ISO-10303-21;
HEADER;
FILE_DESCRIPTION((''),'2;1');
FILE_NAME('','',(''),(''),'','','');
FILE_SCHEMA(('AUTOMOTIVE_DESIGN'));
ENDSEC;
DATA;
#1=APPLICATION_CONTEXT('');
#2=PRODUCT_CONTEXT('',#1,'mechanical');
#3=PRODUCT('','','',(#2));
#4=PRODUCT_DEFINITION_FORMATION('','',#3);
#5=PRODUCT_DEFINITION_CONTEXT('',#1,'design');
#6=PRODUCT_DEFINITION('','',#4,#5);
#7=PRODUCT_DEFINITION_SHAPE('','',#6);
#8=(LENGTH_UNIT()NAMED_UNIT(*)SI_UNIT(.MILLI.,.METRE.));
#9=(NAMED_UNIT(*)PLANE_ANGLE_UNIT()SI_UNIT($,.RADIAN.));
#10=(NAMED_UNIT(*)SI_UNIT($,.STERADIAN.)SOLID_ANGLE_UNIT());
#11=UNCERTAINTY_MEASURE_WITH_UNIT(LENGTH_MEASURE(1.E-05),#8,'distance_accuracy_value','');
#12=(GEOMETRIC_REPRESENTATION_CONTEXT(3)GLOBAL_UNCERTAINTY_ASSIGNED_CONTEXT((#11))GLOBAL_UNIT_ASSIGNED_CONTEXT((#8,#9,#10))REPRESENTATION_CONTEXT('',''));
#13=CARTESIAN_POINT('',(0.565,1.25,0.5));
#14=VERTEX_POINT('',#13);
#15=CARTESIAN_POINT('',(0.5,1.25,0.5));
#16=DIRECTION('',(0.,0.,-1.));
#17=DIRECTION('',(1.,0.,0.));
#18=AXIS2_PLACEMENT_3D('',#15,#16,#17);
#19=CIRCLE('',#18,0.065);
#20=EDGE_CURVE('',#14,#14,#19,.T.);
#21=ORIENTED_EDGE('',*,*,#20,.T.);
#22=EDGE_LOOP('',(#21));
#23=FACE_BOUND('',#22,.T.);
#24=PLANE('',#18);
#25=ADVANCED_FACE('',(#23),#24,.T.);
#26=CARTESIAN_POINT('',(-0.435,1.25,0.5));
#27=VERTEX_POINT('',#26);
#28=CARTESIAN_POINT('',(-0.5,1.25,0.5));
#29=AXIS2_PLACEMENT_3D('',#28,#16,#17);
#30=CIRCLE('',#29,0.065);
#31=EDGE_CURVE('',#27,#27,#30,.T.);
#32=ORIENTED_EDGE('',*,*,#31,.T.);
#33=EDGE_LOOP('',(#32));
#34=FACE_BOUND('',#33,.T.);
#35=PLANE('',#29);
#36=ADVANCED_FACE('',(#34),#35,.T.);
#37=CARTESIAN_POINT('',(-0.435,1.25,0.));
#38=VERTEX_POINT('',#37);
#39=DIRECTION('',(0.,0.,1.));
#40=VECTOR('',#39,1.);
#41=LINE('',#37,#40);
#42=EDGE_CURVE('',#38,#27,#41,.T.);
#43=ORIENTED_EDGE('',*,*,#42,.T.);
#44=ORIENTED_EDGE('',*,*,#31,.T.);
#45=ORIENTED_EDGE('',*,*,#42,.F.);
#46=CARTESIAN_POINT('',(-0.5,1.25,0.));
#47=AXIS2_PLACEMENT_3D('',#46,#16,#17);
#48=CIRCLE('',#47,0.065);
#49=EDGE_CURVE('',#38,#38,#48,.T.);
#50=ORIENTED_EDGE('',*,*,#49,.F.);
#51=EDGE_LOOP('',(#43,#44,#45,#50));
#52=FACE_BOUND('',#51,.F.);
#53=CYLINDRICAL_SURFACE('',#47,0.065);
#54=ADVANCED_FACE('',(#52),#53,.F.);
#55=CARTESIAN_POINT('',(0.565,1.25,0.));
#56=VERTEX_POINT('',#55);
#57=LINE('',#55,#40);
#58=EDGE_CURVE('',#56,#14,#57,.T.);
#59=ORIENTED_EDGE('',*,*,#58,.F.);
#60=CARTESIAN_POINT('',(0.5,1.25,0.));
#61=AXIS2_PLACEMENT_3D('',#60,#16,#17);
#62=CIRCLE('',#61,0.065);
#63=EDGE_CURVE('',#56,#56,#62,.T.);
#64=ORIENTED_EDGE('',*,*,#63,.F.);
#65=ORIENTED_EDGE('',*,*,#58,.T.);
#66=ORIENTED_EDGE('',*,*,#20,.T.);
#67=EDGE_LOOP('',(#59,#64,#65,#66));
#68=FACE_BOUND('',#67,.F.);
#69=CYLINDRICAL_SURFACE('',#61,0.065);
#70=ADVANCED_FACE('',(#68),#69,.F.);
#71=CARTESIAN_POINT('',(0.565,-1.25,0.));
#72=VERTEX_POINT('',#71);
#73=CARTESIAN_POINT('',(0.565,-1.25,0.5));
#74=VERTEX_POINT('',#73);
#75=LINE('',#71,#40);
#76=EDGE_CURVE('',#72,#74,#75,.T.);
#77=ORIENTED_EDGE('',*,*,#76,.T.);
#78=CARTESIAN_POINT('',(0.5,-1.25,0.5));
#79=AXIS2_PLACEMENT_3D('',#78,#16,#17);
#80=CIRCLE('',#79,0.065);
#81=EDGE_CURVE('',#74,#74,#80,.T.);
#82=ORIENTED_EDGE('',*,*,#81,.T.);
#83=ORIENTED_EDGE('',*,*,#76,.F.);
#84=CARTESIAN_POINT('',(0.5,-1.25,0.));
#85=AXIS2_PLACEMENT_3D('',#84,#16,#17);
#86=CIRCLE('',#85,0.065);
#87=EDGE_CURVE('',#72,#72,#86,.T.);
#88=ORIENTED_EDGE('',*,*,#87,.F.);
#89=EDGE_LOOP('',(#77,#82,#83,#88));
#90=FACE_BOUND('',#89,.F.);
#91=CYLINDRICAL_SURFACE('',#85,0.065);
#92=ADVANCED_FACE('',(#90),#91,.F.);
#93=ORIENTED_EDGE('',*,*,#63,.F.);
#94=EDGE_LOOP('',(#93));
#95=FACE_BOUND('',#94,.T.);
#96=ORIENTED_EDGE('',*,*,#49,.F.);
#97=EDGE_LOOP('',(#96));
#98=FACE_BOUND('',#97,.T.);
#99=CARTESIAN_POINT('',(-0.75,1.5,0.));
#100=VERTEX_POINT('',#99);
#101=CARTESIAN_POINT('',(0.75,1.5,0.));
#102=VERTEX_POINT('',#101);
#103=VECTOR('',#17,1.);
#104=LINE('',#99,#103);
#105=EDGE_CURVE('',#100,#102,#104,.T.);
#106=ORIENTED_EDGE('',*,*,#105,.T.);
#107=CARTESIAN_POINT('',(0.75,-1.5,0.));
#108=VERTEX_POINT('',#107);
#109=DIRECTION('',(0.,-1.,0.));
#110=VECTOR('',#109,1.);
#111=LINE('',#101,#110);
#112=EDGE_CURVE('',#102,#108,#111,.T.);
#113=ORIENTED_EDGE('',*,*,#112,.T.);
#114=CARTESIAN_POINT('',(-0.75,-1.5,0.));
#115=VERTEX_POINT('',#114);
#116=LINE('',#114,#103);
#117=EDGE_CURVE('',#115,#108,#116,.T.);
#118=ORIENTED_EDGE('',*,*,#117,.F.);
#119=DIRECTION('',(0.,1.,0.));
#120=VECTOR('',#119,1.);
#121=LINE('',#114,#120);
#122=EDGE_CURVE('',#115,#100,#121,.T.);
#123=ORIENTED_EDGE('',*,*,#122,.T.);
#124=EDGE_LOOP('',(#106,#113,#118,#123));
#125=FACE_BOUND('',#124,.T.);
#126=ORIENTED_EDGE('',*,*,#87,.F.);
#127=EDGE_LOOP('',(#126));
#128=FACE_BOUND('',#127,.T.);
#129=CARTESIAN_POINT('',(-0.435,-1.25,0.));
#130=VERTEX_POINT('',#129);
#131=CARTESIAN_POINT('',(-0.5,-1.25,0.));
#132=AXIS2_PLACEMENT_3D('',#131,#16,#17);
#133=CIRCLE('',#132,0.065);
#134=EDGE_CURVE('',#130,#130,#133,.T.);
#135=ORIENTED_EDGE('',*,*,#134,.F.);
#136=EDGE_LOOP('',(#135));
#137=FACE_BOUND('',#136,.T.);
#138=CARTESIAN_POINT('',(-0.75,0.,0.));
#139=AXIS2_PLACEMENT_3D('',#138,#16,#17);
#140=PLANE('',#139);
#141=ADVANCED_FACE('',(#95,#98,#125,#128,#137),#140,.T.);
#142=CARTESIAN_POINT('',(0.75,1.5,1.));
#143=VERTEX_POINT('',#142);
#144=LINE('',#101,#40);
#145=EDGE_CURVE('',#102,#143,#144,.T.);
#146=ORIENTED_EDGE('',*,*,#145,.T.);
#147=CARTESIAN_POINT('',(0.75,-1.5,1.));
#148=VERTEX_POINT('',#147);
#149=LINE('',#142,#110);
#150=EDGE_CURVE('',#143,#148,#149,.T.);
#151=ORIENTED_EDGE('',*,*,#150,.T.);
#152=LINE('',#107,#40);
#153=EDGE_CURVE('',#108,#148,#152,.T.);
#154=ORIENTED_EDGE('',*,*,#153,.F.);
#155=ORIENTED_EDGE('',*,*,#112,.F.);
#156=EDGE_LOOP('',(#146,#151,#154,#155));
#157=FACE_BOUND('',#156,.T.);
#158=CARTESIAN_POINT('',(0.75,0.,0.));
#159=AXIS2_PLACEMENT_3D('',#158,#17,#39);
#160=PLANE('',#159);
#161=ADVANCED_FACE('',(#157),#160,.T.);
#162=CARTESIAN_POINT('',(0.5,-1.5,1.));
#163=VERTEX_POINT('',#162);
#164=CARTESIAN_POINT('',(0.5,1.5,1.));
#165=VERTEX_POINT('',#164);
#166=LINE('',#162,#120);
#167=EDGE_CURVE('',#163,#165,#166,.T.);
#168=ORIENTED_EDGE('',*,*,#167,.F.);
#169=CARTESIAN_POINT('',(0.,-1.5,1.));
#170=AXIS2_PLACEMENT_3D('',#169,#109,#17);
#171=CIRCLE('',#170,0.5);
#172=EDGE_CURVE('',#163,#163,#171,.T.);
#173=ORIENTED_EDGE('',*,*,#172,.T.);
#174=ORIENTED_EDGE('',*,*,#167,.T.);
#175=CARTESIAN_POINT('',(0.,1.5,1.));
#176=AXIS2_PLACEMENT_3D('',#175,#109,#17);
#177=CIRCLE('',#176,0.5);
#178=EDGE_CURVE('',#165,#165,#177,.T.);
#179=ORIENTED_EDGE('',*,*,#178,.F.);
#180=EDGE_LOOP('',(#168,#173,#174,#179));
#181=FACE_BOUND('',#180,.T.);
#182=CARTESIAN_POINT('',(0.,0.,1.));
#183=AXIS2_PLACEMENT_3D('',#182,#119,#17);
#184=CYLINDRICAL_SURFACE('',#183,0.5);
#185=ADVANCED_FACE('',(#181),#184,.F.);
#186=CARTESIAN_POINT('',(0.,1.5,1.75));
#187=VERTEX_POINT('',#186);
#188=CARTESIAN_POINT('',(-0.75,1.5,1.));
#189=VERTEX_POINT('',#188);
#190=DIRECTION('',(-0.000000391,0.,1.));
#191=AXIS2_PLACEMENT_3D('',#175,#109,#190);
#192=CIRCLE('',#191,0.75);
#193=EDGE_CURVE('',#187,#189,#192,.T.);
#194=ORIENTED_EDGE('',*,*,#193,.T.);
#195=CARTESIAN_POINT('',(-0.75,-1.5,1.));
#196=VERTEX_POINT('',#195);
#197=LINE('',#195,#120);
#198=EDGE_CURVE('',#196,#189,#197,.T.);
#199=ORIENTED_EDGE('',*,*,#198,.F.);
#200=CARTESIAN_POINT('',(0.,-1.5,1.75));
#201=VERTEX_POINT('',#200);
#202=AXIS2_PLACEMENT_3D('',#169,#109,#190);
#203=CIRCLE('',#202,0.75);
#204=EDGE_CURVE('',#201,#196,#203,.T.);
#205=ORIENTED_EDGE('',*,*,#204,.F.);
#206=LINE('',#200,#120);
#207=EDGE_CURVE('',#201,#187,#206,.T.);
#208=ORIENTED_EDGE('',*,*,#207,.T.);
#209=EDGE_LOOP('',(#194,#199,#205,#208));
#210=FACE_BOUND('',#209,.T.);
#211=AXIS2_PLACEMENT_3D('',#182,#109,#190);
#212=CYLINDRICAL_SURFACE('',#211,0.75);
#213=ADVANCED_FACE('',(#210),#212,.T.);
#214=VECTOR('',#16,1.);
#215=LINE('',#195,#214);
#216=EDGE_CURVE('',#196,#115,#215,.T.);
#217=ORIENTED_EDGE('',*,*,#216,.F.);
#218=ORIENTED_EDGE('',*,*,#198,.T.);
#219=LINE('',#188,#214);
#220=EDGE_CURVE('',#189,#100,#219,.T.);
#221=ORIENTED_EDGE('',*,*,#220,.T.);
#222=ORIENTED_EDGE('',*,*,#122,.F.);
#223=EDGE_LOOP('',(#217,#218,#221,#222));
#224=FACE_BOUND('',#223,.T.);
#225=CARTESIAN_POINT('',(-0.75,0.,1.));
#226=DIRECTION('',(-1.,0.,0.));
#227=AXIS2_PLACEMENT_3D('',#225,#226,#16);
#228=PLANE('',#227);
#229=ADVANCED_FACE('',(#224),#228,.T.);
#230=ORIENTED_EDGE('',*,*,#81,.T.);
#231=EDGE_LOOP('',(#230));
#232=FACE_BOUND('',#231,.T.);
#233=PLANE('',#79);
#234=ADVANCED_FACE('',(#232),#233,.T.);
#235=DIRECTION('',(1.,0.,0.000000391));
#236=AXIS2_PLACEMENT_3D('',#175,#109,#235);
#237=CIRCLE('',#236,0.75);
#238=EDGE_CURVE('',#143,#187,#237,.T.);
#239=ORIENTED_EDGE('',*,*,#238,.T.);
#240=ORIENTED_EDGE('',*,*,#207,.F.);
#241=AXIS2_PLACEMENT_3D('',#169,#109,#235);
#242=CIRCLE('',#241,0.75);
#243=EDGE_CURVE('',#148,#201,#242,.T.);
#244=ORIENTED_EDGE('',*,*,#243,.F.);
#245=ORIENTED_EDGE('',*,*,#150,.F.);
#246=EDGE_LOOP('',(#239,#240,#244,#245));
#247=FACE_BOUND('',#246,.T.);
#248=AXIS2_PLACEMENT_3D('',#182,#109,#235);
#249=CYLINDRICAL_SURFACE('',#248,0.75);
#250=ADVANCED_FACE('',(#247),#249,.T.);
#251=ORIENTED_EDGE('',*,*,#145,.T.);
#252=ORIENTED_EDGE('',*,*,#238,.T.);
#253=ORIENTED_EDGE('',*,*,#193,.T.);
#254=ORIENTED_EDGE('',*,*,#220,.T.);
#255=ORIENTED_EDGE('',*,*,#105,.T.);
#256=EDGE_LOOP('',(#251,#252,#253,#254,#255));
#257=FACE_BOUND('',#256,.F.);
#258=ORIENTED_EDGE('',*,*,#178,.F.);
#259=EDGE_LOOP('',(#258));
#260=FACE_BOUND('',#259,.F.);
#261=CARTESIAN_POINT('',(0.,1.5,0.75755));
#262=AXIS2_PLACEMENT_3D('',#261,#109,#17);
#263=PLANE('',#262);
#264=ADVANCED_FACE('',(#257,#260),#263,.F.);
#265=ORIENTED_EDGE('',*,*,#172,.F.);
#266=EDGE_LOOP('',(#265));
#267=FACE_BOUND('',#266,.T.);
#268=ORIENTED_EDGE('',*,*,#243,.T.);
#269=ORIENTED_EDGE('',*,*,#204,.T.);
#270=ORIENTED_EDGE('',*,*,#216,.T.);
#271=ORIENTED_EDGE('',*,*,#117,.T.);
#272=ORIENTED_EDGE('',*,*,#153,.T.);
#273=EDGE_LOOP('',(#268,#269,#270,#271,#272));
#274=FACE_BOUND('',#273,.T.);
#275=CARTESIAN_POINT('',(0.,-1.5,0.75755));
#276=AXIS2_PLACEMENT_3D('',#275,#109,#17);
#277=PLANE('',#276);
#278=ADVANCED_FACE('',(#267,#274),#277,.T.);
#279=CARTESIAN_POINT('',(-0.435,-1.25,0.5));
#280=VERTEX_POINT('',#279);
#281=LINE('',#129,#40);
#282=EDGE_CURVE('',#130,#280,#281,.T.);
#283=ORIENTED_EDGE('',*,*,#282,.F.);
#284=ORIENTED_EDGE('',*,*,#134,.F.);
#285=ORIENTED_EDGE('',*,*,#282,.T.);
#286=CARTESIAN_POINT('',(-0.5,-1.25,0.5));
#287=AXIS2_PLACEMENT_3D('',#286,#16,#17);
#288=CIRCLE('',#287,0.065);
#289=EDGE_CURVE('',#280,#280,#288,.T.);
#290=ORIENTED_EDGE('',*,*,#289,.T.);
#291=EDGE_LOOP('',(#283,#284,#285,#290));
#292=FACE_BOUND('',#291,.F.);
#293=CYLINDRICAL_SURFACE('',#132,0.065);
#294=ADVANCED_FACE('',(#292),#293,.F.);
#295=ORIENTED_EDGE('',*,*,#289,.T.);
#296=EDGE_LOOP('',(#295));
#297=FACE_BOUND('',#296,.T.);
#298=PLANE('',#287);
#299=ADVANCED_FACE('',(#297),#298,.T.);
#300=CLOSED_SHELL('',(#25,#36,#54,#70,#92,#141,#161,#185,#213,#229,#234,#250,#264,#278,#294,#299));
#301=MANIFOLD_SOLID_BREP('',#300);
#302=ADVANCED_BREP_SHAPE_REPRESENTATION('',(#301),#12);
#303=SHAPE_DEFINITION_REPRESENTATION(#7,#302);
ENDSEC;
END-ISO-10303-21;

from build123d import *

# Parameters (mm, degrees)
F0_R     = 0.5
F1_DEPTH = 1.5
F2_R     = 0.065
F3_DEPTH = 0.5


with BuildPart() as f1:
    # F0 (on Front) → F1 (new body, symmetric)
    with BuildSketch(Plane.XZ):
        with BuildLine():
            Line((-0.75, 0), (0, 0))
            Line((0, 0), (0.75, 0))
            Line((0.75, 0), (0.75, 1))
            ThreePointArc((0.75, 1), (0.53033, 1.53033), (0, 1.75))
            ThreePointArc((0, 1.75), (-0.53033, 1.53033), (-0.75, 1))
            Line((-0.75, 1), (-0.75, 0))
        make_face()
        with Locations((0, 1)):
            Circle(F0_R, mode=Mode.SUBTRACT)
    extrude(amount=F1_DEPTH, both=True)

    # F2 (on face) → F3 (cut)
    with BuildSketch(Plane(origin=(0, 0, 0), x_dir=(1, 0, 0), z_dir=(0, 0, -1))):
        with Locations((-0.5, 1.25)):
            Circle(F2_R)
        with Locations((0.5, 1.25)):
            Circle(F2_R)
        with Locations((0.5, -1.25)):
            Circle(F2_R)
        with Locations((-0.5, -1.25)):
            Circle(F2_R)
    extrude(amount=-F3_DEPTH, mode=Mode.SUBTRACT)


solid = f1.part
